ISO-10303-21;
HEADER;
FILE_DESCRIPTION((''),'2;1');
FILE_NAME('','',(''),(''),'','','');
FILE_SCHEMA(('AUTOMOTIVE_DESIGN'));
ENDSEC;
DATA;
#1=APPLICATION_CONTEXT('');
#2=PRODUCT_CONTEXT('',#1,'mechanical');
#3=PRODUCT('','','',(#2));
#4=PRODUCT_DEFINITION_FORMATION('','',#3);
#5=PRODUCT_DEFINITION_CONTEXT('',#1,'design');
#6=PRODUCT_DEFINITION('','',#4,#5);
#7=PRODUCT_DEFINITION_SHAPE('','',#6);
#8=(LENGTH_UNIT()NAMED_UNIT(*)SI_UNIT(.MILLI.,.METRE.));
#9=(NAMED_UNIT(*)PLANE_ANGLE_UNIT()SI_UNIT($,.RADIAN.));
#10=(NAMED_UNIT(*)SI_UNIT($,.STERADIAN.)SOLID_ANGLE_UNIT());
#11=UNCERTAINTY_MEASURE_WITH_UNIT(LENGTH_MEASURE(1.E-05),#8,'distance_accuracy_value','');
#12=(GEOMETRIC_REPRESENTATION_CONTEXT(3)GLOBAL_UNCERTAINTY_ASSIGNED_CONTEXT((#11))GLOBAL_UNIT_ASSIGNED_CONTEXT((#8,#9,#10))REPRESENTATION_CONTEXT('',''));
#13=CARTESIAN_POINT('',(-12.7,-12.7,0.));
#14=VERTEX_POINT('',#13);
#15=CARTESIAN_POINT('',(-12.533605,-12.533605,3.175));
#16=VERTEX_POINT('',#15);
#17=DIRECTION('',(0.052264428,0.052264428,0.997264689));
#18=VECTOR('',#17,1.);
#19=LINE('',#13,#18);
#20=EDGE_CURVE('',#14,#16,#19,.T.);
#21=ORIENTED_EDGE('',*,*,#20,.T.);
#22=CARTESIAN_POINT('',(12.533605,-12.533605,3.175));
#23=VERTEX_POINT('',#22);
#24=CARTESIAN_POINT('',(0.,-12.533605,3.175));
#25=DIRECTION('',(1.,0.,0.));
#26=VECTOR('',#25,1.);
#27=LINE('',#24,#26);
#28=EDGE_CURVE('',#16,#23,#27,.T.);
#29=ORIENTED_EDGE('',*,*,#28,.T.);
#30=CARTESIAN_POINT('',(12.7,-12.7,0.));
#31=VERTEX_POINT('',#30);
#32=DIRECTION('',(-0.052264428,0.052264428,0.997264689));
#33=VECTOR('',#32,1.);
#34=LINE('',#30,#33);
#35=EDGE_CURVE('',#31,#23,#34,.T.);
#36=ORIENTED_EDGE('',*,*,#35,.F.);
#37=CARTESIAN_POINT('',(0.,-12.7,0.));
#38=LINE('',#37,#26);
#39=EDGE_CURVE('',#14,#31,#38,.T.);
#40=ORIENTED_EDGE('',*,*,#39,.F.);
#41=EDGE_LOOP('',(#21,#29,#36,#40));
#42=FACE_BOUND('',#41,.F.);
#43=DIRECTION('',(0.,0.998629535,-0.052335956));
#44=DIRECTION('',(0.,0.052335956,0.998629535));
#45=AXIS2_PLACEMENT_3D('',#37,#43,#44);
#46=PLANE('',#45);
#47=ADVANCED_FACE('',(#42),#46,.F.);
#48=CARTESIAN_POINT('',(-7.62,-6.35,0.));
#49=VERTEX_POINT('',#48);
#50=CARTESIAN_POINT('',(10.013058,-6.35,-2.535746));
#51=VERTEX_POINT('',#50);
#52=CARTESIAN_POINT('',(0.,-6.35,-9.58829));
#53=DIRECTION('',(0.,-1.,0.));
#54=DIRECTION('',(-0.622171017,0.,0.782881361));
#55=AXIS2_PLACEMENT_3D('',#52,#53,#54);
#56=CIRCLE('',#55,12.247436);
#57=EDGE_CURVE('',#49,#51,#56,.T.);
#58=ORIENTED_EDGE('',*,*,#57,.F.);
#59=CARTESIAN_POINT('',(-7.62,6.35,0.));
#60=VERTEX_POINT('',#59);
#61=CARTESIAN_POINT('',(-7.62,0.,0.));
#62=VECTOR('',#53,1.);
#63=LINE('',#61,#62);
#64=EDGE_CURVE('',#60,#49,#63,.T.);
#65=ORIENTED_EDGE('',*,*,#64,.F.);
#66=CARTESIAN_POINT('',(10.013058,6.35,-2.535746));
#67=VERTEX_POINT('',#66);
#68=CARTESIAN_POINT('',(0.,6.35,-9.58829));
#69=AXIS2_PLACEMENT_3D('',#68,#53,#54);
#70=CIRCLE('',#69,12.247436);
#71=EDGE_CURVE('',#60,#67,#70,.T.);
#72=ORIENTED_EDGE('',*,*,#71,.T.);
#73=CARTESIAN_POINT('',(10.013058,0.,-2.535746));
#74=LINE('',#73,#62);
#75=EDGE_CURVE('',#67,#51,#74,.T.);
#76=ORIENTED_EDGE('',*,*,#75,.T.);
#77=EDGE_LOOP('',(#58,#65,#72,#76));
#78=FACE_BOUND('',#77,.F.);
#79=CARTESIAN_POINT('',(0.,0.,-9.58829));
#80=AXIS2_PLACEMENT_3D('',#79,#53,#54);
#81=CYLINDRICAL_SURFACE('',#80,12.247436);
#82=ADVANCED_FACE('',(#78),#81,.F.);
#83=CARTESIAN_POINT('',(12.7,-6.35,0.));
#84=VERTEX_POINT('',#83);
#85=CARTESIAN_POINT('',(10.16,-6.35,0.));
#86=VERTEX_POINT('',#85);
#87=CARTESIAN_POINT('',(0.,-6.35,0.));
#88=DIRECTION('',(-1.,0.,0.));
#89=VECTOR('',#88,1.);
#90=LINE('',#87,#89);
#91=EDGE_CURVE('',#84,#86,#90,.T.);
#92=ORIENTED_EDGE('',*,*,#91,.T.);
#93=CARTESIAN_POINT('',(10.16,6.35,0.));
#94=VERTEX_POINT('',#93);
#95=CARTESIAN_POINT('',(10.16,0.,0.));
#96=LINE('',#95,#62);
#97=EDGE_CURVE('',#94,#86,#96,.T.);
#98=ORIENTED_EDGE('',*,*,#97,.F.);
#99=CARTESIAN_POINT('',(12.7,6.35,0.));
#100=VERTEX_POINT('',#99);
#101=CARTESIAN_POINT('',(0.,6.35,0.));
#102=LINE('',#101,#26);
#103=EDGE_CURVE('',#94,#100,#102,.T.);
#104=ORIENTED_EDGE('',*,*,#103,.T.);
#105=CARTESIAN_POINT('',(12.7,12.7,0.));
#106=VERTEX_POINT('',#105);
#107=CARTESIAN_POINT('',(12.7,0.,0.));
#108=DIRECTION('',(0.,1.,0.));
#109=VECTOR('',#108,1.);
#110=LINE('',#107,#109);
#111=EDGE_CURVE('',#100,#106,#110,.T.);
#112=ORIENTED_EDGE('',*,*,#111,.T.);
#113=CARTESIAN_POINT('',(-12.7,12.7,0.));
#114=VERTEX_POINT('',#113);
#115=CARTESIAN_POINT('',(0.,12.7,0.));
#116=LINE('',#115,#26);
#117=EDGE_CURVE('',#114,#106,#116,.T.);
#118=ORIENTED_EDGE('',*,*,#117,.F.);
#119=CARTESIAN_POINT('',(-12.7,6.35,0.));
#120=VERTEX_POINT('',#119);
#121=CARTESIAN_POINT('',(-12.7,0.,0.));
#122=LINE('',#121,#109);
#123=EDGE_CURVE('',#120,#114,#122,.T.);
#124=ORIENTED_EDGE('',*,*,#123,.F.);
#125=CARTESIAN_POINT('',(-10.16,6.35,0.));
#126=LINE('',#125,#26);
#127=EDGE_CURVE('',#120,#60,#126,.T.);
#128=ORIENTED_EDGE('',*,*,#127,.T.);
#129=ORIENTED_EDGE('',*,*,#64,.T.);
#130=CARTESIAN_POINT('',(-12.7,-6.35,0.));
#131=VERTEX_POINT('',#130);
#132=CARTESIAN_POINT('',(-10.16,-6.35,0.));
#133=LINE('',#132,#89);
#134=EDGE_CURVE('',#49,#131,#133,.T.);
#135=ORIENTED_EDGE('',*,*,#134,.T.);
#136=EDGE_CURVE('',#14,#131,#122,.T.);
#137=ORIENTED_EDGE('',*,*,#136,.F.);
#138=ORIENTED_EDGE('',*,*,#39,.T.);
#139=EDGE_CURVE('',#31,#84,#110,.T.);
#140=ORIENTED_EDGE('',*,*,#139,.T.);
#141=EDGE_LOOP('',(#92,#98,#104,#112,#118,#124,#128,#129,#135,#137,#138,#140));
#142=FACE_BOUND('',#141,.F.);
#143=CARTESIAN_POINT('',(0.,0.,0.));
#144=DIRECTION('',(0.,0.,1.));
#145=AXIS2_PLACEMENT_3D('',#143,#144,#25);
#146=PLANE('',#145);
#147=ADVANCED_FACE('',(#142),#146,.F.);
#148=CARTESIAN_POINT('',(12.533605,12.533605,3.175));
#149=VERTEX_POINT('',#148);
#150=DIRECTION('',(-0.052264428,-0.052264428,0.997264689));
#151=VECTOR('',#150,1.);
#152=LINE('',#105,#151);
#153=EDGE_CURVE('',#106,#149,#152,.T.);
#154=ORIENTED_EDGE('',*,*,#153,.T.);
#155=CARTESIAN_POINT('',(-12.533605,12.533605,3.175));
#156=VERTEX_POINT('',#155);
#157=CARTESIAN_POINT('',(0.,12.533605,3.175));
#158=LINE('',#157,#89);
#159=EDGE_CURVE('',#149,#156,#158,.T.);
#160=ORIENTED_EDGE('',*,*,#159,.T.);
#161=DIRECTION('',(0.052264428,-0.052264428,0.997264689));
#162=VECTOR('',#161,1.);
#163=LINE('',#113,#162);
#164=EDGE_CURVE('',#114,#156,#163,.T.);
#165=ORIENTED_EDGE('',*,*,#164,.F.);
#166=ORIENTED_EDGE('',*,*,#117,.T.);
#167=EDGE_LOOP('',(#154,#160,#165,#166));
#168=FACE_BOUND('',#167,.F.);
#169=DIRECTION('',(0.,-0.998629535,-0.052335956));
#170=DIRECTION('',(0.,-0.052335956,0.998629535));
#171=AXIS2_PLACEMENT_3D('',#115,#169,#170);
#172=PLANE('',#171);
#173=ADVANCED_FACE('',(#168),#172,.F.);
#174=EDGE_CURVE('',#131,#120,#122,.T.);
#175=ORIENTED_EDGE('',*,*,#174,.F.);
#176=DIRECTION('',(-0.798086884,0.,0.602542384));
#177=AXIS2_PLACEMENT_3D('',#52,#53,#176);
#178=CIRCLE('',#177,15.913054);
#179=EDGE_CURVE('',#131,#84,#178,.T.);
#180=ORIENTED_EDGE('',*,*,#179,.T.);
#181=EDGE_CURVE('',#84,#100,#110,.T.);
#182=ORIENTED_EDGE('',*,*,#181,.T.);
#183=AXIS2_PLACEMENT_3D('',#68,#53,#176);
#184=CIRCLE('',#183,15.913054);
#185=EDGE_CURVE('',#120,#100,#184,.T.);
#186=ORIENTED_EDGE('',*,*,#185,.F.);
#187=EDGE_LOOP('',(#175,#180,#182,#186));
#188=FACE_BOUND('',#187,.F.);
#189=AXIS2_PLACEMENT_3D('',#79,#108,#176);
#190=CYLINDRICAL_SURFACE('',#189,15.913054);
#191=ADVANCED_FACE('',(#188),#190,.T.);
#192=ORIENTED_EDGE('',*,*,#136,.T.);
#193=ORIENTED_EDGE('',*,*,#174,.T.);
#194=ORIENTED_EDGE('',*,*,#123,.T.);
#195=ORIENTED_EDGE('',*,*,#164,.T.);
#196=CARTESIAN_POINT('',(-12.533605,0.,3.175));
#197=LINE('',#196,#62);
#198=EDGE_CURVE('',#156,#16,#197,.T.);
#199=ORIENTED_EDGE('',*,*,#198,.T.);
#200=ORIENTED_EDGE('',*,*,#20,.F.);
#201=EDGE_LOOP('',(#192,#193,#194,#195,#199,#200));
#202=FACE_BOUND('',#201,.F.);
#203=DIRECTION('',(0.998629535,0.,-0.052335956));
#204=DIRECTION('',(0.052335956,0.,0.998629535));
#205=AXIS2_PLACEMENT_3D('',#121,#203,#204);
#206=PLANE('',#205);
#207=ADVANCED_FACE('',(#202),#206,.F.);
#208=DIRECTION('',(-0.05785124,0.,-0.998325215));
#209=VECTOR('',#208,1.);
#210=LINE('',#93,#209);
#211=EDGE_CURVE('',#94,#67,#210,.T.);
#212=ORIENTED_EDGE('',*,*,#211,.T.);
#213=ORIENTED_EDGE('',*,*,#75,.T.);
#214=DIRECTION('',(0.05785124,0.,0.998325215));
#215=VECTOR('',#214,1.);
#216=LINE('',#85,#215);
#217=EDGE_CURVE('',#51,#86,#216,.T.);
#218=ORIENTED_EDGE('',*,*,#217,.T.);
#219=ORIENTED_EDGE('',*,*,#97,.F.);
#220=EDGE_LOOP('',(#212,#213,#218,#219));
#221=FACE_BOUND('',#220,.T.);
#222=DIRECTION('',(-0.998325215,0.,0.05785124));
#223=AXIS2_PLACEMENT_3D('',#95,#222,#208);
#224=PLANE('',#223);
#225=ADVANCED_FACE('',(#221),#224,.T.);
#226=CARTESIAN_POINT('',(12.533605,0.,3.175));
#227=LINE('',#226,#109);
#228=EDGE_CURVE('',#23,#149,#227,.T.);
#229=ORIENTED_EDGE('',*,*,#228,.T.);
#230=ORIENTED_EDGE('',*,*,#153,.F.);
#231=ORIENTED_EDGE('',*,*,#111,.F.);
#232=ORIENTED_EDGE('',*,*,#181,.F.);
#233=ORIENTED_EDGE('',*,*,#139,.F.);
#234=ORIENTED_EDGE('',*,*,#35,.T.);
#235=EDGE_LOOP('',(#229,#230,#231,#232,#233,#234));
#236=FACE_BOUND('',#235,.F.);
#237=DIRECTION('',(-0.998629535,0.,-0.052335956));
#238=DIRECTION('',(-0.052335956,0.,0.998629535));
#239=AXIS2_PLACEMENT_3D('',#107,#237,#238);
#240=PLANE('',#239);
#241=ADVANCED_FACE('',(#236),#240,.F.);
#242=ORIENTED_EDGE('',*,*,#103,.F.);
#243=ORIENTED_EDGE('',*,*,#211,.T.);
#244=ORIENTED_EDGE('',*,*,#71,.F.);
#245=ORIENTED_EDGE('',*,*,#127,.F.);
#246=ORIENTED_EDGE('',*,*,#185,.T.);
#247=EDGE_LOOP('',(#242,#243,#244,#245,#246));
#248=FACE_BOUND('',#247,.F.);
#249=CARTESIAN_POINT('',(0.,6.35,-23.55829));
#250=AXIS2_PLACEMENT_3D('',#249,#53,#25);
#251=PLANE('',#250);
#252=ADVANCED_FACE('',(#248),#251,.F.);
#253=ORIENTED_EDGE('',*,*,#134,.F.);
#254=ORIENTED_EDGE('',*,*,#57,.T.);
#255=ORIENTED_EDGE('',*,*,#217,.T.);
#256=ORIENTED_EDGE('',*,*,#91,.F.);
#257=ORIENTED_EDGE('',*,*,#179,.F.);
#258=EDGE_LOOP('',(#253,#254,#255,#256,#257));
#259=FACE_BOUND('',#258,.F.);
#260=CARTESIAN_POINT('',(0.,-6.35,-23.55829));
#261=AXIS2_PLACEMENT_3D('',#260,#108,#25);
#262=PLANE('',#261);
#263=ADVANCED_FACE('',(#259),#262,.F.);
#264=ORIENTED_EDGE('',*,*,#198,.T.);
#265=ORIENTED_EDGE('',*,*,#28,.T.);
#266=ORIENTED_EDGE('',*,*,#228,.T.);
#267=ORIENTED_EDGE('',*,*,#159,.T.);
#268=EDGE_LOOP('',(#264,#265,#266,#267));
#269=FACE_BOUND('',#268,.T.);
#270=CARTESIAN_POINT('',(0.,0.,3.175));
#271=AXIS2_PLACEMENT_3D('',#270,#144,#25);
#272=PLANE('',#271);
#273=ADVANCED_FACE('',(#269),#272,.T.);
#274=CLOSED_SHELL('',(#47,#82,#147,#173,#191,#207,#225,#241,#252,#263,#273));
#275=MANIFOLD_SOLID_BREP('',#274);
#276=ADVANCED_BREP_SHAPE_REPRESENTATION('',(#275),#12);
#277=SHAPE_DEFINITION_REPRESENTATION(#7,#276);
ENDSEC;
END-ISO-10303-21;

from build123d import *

# Parameters (mm, degrees)
F0_W     = 25.4
F0_H     = 25.4
F1_DEPTH = 3.175
F1_TAPER = 3
F3_W     = 5.08
F3_H     = 12.7


with BuildPart() as f1:
    # F0 (on Top) → F1 (new body)
    with BuildSketch(Plane.XY):
        Rectangle(F0_W, F0_H)
    extrude(amount=F1_DEPTH, taper=F1_TAPER)

    # F4: sweep along a path in F2
    with BuildLine(Plane.XZ) as f4_path:
        ThreePointArc((-10.16, 0), (0, -23.5582897328), (10.16, 0))
    # F3 (on face) → F4 (sweep)
    with BuildSketch(Plane(origin=(0, 0, 0), x_dir=(1, 0, 0), z_dir=(0, 0, -1))):
        with Locations((-10.16, 0)):
            Rectangle(F3_W, F3_H)
    sweep(path=f4_path.line)


solid = f1.part
